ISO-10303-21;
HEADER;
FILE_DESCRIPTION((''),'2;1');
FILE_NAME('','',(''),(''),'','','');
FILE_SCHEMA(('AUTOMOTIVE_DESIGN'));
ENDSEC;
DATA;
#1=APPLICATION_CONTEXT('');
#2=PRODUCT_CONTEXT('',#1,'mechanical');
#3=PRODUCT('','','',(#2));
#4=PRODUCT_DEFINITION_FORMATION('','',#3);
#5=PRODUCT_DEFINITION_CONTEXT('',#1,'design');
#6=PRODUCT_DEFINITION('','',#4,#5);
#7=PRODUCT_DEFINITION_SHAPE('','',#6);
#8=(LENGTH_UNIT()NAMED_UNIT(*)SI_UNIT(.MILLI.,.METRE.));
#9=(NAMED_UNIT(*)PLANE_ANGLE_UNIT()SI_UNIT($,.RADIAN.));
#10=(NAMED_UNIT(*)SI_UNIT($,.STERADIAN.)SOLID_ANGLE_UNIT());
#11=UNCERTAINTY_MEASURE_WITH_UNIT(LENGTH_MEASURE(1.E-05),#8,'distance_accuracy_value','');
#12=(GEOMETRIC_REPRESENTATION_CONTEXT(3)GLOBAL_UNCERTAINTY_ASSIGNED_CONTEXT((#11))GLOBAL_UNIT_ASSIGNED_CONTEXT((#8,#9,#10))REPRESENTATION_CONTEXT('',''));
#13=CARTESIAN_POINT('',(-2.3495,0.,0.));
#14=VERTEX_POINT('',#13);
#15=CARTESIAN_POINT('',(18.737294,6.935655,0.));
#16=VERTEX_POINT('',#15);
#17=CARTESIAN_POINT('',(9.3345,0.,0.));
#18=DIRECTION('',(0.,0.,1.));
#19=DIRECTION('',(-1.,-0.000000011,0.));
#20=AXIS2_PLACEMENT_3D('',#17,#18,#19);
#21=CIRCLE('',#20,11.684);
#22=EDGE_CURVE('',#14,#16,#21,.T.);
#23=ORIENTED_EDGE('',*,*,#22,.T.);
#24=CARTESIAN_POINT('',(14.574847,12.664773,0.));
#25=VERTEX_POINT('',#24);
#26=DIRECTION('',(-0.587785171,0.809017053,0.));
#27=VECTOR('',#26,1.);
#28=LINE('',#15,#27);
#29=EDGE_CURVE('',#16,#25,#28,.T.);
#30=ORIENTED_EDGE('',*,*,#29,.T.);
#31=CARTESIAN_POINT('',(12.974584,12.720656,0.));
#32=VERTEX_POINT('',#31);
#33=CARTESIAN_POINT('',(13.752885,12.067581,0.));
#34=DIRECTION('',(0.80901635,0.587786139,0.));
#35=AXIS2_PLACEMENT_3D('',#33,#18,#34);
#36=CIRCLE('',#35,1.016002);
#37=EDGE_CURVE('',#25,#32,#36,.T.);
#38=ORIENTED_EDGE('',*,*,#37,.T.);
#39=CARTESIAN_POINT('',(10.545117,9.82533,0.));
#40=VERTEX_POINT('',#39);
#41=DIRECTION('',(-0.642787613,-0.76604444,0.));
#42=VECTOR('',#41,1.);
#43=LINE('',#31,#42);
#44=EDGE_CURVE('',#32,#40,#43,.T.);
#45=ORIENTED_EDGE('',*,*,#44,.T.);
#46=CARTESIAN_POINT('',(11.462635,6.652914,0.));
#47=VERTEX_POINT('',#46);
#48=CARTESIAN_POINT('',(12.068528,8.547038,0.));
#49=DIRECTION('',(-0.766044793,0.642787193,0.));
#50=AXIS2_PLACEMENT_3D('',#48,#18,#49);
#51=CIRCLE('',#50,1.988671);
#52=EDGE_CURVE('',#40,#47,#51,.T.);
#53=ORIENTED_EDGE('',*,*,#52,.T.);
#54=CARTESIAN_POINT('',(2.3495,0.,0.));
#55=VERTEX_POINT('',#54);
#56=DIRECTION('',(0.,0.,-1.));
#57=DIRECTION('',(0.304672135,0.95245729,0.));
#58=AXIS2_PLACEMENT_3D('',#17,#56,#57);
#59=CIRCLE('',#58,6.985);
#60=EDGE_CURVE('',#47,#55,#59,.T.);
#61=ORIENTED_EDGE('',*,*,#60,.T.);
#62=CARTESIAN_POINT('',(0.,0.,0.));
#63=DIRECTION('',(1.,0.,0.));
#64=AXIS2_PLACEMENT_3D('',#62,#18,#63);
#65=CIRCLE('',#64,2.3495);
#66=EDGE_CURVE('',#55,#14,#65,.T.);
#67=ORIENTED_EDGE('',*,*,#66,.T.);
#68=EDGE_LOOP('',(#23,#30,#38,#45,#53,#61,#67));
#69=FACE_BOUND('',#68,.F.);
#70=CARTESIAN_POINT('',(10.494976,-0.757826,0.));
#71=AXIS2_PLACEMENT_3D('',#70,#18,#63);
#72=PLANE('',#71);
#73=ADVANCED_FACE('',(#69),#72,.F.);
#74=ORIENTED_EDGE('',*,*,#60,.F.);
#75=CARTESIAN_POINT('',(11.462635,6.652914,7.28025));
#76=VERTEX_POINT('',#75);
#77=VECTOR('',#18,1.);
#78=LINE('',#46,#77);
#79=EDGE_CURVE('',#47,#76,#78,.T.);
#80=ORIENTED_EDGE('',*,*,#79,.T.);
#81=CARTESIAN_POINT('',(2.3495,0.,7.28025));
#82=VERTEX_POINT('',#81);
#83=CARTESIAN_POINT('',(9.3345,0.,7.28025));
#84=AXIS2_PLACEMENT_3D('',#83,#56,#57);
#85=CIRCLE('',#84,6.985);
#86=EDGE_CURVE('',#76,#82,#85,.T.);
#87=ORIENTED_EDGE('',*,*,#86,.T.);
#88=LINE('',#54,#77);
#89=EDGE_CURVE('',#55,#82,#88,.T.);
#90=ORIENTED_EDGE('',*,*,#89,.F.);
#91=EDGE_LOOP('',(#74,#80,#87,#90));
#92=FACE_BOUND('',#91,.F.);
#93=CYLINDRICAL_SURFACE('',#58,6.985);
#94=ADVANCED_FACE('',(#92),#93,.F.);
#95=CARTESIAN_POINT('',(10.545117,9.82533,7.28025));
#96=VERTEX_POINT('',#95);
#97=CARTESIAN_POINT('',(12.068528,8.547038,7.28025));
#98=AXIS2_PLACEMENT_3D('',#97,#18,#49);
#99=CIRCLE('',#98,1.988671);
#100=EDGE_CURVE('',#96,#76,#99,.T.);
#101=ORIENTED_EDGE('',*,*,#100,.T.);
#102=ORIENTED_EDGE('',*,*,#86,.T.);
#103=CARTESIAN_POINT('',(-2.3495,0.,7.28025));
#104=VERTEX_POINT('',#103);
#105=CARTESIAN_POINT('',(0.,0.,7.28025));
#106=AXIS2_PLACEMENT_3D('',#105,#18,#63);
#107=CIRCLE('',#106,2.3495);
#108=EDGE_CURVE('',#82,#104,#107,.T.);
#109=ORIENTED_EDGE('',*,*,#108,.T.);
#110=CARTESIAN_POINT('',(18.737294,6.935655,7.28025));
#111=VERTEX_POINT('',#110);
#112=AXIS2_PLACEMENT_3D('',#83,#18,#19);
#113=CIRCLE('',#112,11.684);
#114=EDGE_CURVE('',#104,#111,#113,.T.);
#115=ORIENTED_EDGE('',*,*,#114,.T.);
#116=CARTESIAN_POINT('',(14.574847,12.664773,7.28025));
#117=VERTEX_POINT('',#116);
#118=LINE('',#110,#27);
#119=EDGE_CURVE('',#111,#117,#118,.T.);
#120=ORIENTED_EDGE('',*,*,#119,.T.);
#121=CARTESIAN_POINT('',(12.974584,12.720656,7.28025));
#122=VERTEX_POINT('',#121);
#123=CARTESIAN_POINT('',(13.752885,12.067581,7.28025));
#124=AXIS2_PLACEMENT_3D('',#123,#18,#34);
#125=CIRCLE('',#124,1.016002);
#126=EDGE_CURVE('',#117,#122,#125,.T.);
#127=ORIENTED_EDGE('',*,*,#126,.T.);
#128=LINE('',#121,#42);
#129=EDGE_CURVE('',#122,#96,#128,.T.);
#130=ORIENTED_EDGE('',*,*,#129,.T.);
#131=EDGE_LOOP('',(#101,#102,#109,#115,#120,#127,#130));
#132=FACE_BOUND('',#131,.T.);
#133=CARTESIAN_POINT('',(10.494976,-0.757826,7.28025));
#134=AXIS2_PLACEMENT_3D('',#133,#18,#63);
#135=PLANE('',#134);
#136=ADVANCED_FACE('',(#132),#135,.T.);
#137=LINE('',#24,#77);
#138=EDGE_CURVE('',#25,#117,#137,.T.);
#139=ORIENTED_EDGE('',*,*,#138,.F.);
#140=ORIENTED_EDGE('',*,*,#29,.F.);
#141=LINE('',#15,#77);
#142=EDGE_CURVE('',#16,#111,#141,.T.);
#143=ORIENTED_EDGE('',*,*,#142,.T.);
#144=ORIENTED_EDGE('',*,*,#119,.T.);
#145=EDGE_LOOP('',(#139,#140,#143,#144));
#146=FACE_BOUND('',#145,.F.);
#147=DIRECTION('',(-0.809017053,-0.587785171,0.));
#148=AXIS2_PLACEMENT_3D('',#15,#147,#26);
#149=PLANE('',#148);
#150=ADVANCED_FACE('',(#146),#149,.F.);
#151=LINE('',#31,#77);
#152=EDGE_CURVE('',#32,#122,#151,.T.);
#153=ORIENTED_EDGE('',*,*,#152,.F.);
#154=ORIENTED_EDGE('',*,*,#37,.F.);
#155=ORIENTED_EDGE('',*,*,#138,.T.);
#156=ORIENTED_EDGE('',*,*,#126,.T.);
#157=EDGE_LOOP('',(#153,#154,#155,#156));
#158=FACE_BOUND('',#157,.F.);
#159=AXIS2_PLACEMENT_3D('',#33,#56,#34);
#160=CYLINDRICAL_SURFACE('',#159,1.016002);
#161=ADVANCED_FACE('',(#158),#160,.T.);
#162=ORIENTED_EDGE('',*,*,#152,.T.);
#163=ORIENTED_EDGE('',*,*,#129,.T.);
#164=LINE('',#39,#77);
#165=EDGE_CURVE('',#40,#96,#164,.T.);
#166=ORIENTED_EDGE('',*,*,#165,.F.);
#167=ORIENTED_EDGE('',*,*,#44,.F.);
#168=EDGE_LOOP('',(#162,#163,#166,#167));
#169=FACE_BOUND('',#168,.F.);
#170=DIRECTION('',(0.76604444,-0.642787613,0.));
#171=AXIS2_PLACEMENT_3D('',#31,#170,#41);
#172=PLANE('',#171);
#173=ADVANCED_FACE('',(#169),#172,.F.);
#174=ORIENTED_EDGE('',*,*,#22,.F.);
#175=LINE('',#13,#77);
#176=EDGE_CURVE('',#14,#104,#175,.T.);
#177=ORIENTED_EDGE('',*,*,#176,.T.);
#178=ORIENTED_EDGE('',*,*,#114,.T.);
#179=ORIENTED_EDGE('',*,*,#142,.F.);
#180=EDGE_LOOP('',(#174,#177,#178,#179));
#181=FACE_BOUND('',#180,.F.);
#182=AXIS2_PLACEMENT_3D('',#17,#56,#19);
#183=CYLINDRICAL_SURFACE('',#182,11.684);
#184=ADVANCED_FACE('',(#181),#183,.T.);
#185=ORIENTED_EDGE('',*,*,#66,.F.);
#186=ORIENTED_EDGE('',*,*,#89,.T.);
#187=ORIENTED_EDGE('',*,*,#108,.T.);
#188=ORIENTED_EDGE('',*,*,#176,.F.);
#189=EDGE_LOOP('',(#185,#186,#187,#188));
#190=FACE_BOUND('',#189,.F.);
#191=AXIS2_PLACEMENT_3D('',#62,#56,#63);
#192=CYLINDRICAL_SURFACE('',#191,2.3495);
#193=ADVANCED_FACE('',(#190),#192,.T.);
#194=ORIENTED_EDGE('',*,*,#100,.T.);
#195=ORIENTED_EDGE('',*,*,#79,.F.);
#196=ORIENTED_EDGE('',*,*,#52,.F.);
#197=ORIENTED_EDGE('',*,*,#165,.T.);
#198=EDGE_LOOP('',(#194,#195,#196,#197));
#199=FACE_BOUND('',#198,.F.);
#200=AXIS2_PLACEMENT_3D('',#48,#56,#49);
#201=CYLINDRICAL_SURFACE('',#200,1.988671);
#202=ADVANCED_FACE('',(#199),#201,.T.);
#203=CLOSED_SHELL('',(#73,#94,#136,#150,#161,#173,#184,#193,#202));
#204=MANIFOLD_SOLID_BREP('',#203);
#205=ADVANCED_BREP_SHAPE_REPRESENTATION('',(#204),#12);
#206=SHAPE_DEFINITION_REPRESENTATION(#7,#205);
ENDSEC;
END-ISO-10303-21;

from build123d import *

# Parameters (mm, degrees)
F1_DEPTH = 7.28025


with BuildPart() as f1:
    # F0 (on Top) → F1 (new body)
    with BuildSketch(Plane.XY):
        with BuildLine():
            ThreePointArc((-2.3495, 0), (12.985089, -11.099056), (18.737294, 6.935655))
            Line((18.737294, 6.935655), (14.574847, 12.664773))
            ThreePointArc((14.574847, 12.664773), (13.788343, 13.082964), (12.974584, 12.720656))
            Line((12.974584, 12.720656), (10.545117, 9.82533))
            ThreePointArc((10.545117, 9.82533), (10.158151, 7.994524), (11.462635, 6.652914))
            ThreePointArc((11.462635, 6.652914), (13.453068, -5.641598), (2.3495, 0))
            ThreePointArc((2.3495, 0), (0, 2.3495), (-2.3495, 0))
        make_face()
    extrude(amount=F1_DEPTH)


solid = f1.part
